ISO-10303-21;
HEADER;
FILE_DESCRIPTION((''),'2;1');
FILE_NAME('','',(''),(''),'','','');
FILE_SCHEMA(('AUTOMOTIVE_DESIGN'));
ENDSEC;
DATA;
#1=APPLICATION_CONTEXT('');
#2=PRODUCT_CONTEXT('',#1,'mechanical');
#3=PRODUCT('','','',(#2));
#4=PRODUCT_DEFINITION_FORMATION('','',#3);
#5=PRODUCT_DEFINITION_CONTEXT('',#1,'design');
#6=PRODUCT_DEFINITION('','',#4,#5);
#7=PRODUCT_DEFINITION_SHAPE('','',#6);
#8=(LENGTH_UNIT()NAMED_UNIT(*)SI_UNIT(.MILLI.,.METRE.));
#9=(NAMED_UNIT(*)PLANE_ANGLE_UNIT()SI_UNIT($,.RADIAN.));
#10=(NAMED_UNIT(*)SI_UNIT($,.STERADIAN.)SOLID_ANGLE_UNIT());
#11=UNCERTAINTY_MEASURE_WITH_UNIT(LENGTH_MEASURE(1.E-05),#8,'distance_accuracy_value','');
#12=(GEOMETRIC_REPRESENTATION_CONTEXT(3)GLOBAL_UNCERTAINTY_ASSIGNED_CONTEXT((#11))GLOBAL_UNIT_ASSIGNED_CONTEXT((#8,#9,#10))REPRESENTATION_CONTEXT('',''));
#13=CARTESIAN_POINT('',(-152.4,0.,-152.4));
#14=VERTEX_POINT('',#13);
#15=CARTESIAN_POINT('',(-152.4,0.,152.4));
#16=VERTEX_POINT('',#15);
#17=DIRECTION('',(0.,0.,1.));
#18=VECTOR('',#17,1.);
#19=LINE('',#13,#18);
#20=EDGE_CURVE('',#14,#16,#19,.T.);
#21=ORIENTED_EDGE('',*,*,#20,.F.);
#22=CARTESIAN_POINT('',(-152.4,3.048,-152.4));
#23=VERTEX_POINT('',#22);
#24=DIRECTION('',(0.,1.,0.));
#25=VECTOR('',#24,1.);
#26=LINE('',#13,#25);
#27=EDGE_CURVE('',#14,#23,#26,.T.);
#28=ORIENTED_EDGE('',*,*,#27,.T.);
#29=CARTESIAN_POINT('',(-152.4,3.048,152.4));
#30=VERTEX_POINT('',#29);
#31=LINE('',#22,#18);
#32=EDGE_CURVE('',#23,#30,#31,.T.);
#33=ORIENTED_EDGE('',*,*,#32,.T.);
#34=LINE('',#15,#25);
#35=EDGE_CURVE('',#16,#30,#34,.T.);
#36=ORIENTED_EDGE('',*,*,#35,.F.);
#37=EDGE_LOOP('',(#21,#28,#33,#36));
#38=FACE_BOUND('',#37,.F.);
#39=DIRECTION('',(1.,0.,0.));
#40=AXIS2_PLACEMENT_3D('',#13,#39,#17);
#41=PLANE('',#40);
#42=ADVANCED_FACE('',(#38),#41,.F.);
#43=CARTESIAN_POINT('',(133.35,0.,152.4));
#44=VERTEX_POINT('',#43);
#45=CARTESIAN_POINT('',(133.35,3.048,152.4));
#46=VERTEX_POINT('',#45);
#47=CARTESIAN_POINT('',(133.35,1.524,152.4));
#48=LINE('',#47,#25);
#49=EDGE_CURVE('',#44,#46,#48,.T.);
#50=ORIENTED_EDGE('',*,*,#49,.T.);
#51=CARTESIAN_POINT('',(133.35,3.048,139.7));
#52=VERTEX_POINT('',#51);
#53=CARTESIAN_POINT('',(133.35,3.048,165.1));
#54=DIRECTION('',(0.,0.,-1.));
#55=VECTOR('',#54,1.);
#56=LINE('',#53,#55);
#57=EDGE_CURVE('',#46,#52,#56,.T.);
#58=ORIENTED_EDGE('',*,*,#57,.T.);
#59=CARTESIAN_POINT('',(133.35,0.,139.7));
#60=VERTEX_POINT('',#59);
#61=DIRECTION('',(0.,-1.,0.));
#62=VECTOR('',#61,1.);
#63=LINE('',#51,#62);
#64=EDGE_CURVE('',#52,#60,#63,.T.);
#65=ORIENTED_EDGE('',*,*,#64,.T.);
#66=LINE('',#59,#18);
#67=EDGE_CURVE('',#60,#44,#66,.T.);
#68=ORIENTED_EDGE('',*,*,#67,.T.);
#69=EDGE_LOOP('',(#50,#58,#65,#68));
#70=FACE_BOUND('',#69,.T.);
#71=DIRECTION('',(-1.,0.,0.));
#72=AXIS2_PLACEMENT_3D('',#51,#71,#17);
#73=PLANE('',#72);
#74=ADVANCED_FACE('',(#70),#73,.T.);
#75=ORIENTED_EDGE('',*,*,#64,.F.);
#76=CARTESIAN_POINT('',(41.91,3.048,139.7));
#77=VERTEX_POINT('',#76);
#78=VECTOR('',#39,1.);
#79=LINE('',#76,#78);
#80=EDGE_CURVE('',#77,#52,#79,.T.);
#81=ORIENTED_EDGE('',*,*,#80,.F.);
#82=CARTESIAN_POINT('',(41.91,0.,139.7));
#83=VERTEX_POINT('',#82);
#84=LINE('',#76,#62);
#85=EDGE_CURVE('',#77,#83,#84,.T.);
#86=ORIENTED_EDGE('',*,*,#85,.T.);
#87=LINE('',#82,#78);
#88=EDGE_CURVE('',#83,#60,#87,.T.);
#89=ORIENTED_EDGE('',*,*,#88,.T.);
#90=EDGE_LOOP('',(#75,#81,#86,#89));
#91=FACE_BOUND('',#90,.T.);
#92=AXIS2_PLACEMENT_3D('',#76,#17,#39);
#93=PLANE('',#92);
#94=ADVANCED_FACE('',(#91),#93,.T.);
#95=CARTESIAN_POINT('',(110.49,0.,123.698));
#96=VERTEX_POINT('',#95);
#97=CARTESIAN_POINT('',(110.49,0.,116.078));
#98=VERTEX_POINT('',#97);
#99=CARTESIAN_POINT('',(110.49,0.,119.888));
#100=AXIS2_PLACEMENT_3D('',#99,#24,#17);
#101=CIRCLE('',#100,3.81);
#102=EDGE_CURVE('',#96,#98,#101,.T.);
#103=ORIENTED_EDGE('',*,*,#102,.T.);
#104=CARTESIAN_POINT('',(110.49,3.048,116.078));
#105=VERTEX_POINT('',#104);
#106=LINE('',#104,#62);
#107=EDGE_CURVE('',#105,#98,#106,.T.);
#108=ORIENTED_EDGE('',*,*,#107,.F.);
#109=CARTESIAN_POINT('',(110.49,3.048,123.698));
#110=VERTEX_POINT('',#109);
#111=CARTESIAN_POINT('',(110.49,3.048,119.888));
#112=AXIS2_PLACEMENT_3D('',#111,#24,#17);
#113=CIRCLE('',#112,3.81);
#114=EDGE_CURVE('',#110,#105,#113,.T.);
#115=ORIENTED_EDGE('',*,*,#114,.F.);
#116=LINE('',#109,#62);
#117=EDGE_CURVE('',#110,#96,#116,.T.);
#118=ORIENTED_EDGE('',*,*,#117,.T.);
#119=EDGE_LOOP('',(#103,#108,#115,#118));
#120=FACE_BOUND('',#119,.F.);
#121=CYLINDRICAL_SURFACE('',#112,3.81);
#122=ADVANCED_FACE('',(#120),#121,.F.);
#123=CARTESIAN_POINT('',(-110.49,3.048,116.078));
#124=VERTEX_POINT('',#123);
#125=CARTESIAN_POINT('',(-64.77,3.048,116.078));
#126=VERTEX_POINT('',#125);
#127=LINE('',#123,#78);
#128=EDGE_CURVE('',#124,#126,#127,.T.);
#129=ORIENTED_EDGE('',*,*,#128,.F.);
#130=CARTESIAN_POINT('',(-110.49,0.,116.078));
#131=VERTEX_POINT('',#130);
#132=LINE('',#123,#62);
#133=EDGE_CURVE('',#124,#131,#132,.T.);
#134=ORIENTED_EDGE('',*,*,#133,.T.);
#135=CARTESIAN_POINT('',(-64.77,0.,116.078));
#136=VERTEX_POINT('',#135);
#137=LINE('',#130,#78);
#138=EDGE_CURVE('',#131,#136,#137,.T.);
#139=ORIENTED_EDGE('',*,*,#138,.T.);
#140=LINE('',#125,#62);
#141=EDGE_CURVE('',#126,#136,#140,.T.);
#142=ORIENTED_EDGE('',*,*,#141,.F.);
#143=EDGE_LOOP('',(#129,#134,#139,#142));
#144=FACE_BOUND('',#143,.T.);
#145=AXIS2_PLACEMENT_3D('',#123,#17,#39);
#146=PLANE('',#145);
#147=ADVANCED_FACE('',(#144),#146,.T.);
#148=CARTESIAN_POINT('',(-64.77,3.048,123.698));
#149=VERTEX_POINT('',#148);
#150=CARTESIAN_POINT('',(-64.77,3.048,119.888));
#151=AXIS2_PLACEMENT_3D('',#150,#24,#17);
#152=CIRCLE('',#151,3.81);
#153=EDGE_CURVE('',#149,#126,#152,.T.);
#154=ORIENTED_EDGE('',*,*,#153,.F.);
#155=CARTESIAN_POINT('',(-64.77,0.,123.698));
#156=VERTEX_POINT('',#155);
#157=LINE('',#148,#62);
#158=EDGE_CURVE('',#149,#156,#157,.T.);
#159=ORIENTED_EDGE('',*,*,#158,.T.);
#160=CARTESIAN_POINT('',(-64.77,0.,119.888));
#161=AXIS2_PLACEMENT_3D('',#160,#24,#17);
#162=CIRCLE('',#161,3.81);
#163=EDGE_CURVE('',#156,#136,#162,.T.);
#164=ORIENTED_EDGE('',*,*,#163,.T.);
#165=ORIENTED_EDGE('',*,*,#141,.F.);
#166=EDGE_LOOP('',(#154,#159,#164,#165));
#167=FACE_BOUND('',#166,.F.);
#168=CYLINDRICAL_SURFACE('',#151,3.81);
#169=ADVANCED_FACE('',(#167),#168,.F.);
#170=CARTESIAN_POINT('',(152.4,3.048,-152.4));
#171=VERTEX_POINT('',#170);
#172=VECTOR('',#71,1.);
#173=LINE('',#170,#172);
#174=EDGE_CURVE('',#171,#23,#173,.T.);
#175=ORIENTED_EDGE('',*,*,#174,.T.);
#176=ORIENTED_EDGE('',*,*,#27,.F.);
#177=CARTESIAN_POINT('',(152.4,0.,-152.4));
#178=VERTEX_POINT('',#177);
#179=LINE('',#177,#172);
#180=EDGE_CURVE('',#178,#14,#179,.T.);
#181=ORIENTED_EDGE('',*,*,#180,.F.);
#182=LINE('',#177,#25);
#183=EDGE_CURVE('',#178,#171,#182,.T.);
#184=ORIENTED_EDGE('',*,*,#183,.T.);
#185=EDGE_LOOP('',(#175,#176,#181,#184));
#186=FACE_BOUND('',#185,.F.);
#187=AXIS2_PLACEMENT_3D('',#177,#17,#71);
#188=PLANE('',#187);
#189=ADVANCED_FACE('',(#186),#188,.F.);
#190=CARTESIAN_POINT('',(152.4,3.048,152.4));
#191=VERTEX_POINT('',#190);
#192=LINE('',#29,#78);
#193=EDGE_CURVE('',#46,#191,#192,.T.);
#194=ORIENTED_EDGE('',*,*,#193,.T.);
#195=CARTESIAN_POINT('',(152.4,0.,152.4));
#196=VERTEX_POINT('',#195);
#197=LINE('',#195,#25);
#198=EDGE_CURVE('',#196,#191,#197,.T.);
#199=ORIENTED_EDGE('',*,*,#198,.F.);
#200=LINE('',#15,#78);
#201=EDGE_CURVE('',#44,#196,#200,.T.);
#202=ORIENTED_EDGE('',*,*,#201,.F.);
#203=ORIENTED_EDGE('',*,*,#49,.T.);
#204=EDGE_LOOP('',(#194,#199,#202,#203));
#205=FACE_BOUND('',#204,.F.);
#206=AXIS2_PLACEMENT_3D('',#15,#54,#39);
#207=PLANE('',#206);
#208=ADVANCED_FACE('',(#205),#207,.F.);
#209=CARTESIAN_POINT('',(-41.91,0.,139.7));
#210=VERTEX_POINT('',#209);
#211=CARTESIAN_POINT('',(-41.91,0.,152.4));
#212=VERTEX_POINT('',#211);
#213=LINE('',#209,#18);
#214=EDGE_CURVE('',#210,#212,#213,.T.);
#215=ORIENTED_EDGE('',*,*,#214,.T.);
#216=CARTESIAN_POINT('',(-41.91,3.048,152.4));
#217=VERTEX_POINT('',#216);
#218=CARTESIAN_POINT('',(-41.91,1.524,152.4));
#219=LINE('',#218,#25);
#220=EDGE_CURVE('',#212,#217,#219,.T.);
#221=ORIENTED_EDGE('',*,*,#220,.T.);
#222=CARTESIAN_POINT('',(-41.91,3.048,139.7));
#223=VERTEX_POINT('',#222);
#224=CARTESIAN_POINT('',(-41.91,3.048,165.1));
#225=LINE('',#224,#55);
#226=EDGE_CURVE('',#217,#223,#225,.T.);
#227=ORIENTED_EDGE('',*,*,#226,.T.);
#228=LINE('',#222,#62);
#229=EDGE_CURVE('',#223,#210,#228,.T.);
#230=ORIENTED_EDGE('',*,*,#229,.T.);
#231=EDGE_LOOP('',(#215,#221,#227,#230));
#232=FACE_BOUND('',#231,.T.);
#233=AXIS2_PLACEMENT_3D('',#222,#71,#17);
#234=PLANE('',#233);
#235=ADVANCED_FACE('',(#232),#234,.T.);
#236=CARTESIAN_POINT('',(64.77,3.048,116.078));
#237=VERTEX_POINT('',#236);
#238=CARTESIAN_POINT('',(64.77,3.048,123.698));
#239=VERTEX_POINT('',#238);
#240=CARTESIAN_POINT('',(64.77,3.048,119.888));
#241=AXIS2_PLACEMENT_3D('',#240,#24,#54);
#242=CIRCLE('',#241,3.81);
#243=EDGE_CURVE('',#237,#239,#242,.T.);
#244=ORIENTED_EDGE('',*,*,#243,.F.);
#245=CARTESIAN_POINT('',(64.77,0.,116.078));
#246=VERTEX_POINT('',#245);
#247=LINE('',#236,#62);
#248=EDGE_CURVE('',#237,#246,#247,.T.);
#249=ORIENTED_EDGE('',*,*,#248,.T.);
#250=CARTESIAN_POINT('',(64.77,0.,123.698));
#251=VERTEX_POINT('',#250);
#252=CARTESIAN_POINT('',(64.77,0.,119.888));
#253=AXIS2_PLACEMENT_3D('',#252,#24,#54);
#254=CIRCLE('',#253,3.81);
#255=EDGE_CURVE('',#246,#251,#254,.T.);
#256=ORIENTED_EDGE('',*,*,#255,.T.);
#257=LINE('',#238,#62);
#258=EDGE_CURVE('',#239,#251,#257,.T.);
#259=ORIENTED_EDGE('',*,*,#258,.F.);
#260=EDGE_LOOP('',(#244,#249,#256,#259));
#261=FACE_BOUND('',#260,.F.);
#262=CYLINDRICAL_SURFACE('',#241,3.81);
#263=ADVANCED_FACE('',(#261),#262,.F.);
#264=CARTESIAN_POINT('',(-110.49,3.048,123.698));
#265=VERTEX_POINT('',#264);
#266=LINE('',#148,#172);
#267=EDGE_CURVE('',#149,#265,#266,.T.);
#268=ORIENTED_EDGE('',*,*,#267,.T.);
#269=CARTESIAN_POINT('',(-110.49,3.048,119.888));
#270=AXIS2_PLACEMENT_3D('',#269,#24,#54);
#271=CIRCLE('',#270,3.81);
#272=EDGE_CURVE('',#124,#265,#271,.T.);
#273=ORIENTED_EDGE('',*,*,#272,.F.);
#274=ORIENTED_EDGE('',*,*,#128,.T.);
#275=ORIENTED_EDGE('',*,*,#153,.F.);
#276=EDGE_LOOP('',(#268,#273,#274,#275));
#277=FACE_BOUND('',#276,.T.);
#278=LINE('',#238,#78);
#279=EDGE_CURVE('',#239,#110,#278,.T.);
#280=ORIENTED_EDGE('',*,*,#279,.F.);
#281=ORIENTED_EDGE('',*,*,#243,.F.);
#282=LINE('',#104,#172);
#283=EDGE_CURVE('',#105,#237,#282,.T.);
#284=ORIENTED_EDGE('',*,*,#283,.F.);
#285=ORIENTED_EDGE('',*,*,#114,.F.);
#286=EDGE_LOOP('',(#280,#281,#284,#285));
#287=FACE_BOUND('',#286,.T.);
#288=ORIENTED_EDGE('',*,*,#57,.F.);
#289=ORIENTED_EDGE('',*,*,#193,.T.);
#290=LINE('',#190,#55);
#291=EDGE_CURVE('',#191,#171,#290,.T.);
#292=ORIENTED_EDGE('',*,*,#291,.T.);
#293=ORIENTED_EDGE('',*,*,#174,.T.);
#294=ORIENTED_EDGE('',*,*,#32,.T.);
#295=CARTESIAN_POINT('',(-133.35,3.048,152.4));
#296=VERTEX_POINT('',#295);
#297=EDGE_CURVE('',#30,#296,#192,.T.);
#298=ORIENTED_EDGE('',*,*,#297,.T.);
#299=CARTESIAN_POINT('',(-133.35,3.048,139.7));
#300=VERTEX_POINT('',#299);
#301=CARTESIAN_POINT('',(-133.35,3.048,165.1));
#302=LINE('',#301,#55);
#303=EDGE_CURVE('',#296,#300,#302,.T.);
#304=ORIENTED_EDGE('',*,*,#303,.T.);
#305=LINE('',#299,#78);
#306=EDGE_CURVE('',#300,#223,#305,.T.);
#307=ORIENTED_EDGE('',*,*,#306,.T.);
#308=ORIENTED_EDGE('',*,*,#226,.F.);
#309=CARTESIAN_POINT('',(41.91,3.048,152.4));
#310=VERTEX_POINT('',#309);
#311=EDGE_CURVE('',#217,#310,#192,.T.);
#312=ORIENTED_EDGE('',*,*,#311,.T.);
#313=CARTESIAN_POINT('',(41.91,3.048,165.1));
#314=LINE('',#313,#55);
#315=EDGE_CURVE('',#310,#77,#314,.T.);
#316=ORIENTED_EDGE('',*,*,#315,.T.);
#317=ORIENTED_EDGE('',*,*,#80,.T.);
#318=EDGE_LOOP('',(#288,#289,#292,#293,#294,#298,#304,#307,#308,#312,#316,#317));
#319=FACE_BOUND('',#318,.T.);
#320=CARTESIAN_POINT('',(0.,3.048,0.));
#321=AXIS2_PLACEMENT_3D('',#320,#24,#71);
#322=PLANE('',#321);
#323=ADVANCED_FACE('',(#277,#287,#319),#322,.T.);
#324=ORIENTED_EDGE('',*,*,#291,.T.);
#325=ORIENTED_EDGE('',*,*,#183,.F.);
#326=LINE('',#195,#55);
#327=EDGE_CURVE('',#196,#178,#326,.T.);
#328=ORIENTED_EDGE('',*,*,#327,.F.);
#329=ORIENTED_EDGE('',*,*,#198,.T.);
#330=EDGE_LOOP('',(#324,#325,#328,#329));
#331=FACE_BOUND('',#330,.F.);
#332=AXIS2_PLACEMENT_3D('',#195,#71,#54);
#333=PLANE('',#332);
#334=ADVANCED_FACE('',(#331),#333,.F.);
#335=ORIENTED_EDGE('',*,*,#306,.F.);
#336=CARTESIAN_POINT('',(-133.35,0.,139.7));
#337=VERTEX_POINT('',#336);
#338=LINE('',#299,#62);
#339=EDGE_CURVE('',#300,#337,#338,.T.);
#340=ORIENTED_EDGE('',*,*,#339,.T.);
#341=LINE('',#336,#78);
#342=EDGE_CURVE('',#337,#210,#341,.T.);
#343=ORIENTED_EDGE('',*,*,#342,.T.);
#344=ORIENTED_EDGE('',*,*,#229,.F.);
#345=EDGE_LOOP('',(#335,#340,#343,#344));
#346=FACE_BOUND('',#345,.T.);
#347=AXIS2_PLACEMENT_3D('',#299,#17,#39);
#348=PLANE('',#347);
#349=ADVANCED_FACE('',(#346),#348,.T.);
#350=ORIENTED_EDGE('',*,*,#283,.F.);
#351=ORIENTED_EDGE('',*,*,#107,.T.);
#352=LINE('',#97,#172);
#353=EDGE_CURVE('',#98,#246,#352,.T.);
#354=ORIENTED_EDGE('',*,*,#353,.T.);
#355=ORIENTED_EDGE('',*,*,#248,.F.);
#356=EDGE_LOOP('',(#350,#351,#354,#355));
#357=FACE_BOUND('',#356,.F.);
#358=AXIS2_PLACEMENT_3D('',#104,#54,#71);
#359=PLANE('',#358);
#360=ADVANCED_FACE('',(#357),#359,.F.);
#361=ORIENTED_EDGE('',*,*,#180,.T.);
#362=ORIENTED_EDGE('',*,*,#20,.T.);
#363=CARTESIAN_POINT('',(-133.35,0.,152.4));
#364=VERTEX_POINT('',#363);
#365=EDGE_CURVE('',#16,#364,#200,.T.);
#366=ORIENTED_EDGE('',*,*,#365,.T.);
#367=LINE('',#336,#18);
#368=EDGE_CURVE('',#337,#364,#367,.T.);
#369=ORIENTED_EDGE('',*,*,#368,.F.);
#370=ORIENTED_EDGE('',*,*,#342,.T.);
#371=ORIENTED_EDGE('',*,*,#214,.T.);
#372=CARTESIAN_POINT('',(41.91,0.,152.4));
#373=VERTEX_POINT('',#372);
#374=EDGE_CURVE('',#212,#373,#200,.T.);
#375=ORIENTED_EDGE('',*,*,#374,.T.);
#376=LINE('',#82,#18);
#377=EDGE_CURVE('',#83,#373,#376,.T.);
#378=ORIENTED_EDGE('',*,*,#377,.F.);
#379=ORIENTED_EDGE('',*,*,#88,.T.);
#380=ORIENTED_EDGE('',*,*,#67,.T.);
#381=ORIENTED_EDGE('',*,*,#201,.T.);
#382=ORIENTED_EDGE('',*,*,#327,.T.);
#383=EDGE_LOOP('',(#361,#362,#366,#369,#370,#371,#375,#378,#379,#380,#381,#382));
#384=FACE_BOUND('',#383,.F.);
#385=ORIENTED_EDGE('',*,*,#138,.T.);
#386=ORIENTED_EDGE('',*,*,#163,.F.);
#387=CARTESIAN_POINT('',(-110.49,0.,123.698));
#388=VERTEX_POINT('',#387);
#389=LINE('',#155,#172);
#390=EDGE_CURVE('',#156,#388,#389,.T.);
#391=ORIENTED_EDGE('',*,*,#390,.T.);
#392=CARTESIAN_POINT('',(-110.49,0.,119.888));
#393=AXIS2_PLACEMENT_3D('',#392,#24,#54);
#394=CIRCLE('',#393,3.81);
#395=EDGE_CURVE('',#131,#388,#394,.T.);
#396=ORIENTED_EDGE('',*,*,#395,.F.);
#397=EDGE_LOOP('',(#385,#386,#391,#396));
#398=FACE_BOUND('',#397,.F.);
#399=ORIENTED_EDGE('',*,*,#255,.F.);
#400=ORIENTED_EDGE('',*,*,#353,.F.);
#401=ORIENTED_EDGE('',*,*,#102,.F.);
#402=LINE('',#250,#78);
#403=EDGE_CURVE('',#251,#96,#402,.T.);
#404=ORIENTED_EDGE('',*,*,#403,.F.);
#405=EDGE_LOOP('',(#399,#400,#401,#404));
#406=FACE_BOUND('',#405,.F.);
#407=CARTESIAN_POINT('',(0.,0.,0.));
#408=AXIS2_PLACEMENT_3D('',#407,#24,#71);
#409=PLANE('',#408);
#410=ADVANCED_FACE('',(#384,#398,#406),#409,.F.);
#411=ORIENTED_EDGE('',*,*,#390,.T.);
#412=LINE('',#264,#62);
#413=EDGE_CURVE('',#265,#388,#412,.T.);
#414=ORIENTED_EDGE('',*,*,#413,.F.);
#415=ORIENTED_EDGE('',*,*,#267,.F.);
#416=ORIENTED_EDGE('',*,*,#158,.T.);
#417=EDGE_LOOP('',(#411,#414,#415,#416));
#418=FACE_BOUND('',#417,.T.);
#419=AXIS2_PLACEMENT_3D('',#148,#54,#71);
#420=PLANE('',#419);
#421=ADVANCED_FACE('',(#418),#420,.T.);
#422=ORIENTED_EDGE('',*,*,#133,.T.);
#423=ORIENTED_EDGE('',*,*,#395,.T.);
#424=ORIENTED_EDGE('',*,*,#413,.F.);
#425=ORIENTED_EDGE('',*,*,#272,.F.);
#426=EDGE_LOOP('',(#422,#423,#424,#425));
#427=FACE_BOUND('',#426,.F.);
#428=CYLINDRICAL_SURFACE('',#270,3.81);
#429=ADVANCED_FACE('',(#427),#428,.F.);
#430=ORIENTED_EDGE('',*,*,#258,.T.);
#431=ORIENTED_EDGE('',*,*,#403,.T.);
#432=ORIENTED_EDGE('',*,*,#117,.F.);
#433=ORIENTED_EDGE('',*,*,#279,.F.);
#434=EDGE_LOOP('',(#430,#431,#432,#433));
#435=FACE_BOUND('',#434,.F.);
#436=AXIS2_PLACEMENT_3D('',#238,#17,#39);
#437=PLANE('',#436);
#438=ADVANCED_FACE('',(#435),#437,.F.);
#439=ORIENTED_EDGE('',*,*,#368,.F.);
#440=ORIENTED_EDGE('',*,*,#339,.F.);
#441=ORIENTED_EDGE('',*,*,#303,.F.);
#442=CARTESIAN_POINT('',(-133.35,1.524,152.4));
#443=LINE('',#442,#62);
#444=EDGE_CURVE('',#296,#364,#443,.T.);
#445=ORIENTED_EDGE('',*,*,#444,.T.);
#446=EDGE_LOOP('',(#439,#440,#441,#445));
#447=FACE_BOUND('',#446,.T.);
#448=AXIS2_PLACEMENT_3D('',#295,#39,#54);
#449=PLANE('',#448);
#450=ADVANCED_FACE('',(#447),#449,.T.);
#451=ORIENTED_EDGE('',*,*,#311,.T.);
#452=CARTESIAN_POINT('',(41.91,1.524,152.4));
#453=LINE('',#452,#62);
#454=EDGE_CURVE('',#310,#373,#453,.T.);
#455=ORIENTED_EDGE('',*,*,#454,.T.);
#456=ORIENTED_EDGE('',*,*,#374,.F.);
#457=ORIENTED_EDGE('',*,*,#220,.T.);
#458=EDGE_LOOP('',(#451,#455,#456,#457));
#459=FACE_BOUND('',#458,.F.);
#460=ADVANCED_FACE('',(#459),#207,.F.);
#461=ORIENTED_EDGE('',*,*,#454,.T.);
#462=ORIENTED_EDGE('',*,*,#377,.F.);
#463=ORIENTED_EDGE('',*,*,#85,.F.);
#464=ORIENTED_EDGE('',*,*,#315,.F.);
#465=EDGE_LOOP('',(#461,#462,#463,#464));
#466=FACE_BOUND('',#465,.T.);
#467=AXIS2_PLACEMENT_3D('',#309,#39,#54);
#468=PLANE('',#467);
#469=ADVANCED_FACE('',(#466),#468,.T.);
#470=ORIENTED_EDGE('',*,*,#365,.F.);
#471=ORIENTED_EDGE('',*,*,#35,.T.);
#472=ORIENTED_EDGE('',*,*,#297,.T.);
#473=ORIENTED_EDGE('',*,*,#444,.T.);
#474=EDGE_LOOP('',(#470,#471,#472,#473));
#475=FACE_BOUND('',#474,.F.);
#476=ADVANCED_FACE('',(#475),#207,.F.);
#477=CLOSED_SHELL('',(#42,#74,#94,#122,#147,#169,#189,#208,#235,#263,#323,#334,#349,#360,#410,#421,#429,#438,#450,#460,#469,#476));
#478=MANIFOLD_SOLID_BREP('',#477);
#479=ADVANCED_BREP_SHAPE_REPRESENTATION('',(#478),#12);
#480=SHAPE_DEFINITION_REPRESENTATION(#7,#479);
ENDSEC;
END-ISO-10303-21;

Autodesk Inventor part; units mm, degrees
ref_plane "YZ Plane" through (0, 0, 0) normal (1, 0, 0) x (0, 1, 0)
ref_plane "XZ Plane" through (0, 0, 0) normal (0, 1, 0) x (-1, 0, 0)
ref_plane "XY Plane" through (0, 0, 0) normal (0, 0, 1) x (1, 0, 0)
sketch "Sketch1" plane through (0, 0, 0) normal (0, 1, 0) x (-1, 0, 0)
  line L0 (152.4, 152.4) -> (-152.4, 152.4)
  line L1 (-152.4, 152.4) -> (-152.4, -152.4)
  line L2 (-152.4, -152.4) -> (152.4, -152.4)
  line L3 (152.4, -152.4) -> (152.4, 152.4)
  line L4 (152.4, 152.4) -> (-152.4, -152.4) construction
  line L5 (-152.4, 152.4) -> (152.4, -152.4) construction
  point P0 (0, 0)
  dimension "d0" = 304.8
  dimension "d1" = 304.8
extrude "Plate1" add sketch "Sketch1" along normal blind 3.048
sketch "Sketch2" plane through (0, 3.048, 0) normal (0, 1, 0) x (1, 0, 0)
  line L0 (-152.4, -152.4) -> (152.4, -152.4) projected
  line L1 (-133.35, -139.7) -> (-41.91, -139.7)
  line L2 (-41.91, -139.7) -> (-41.91, -165.1)
  line L3 (-41.91, -165.1) -> (-133.35, -165.1)
  line L4 (-133.35, -165.1) -> (-133.35, -139.7)
  line L5 (-133.35, -139.7) -> (-41.91, -165.1) construction
  line L6 (-41.91, -139.7) -> (-133.35, -165.1) construction
  line L7 (41.91, -139.7) -> (133.35, -139.7)
  line L8 (133.35, -139.7) -> (133.35, -165.1)
  line L9 (133.35, -165.1) -> (41.91, -165.1)
  line L10 (41.91, -165.1) -> (41.91, -139.7)
  line L11 (41.91, -139.7) -> (133.35, -165.1) construction
  line L12 (133.35, -139.7) -> (41.91, -165.1) construction
  line L13 (-152.4, -152.4) -> (-152.4, 152.4) projected
  line L14 (152.4, 152.4) -> (152.4, -152.4) projected
  point P0 (0, 0)
  point P1 (-87.63, -152.4)
  point P2 (87.63, -152.4)
  dimension "d7" = 91.44
  dimension "d8" = 25.4
  dimension "d9" = 91.44
  dimension "d10" = 25.4
  dimension "d11" = 19.05
  dimension "d12" = 19.05
extrude "Cut1" cut sketch "Sketch2" against normal blind 3.048
sketch "Sketch3" plane through (0, 3.048, 0) normal (0, 1, 0) x (1, 0, 0)
  line L0 (-110.49, -119.888) -> (-64.77, -119.888) construction
  line L1 (-110.49, -116.078) -> (-64.77, -116.078)
  line L2 (-64.77, -123.698) -> (-110.49, -123.698)
  arc A0 (-110.49, -116.078) -> (-110.49, -123.698) centre (-110.49, -119.888) ccw
  arc A1 (-64.77, -123.698) -> (-64.77, -116.078) centre (-64.77, -119.888) ccw
  line L3 (-152.4, -152.4) -> (-152.4, 152.4) projected
  line L4 (-133.35, -139.7) -> (-41.91, -139.7) projected
  line L5 (-41.91, -152.4) -> (41.91, -152.4) construction
  line L6 (0, -152.4) -> (0, 0) construction
  line L7 (110.49, -119.888) -> (64.77, -119.888) construction
  line L8 (110.49, -116.078) -> (64.77, -116.078)
  line L9 (64.77, -123.698) -> (110.49, -123.698)
  arc A2 (110.49, -123.698) -> (110.49, -116.078) centre (110.49, -119.888) ccw
  arc A3 (64.77, -116.078) -> (64.77, -123.698) centre (64.77, -119.888) ccw
  point P0 (-87.63, -119.888)
  point P1 (87.63, -119.888)
  dimension "d13" = 41.91
  dimension "d14" = 45.72
  dimension "d15" = 3.81
  dimension "d16" = 19.812
extrude "Cut2" cut sketch "Sketch3" against normal blind 3.048
equation "\"d5\" = Thickness"
equation "\"d17\" = Thickness"
equation "\"d2\" = Thickness"
equation "\"BendRadius\" = Thickness"
equation "\"BendReliefWidth\" = Thickness"
equation "\"BendReliefDepth\" = 0.5 * Thickness"
equation "\"CornerReliefSize\" = 4 * Thickness"
equation "\"MinimumRemnant\" = 2 * Thickness"
equation "\"TransitionRadius\" = BendRadius"
equation "\"JacobiRadiusSize\" = BendRadius"
equation "\"GapSize\" = Thickness"
equation "\"Thickness\" = 3.048"
properties part number "FreePanel"
